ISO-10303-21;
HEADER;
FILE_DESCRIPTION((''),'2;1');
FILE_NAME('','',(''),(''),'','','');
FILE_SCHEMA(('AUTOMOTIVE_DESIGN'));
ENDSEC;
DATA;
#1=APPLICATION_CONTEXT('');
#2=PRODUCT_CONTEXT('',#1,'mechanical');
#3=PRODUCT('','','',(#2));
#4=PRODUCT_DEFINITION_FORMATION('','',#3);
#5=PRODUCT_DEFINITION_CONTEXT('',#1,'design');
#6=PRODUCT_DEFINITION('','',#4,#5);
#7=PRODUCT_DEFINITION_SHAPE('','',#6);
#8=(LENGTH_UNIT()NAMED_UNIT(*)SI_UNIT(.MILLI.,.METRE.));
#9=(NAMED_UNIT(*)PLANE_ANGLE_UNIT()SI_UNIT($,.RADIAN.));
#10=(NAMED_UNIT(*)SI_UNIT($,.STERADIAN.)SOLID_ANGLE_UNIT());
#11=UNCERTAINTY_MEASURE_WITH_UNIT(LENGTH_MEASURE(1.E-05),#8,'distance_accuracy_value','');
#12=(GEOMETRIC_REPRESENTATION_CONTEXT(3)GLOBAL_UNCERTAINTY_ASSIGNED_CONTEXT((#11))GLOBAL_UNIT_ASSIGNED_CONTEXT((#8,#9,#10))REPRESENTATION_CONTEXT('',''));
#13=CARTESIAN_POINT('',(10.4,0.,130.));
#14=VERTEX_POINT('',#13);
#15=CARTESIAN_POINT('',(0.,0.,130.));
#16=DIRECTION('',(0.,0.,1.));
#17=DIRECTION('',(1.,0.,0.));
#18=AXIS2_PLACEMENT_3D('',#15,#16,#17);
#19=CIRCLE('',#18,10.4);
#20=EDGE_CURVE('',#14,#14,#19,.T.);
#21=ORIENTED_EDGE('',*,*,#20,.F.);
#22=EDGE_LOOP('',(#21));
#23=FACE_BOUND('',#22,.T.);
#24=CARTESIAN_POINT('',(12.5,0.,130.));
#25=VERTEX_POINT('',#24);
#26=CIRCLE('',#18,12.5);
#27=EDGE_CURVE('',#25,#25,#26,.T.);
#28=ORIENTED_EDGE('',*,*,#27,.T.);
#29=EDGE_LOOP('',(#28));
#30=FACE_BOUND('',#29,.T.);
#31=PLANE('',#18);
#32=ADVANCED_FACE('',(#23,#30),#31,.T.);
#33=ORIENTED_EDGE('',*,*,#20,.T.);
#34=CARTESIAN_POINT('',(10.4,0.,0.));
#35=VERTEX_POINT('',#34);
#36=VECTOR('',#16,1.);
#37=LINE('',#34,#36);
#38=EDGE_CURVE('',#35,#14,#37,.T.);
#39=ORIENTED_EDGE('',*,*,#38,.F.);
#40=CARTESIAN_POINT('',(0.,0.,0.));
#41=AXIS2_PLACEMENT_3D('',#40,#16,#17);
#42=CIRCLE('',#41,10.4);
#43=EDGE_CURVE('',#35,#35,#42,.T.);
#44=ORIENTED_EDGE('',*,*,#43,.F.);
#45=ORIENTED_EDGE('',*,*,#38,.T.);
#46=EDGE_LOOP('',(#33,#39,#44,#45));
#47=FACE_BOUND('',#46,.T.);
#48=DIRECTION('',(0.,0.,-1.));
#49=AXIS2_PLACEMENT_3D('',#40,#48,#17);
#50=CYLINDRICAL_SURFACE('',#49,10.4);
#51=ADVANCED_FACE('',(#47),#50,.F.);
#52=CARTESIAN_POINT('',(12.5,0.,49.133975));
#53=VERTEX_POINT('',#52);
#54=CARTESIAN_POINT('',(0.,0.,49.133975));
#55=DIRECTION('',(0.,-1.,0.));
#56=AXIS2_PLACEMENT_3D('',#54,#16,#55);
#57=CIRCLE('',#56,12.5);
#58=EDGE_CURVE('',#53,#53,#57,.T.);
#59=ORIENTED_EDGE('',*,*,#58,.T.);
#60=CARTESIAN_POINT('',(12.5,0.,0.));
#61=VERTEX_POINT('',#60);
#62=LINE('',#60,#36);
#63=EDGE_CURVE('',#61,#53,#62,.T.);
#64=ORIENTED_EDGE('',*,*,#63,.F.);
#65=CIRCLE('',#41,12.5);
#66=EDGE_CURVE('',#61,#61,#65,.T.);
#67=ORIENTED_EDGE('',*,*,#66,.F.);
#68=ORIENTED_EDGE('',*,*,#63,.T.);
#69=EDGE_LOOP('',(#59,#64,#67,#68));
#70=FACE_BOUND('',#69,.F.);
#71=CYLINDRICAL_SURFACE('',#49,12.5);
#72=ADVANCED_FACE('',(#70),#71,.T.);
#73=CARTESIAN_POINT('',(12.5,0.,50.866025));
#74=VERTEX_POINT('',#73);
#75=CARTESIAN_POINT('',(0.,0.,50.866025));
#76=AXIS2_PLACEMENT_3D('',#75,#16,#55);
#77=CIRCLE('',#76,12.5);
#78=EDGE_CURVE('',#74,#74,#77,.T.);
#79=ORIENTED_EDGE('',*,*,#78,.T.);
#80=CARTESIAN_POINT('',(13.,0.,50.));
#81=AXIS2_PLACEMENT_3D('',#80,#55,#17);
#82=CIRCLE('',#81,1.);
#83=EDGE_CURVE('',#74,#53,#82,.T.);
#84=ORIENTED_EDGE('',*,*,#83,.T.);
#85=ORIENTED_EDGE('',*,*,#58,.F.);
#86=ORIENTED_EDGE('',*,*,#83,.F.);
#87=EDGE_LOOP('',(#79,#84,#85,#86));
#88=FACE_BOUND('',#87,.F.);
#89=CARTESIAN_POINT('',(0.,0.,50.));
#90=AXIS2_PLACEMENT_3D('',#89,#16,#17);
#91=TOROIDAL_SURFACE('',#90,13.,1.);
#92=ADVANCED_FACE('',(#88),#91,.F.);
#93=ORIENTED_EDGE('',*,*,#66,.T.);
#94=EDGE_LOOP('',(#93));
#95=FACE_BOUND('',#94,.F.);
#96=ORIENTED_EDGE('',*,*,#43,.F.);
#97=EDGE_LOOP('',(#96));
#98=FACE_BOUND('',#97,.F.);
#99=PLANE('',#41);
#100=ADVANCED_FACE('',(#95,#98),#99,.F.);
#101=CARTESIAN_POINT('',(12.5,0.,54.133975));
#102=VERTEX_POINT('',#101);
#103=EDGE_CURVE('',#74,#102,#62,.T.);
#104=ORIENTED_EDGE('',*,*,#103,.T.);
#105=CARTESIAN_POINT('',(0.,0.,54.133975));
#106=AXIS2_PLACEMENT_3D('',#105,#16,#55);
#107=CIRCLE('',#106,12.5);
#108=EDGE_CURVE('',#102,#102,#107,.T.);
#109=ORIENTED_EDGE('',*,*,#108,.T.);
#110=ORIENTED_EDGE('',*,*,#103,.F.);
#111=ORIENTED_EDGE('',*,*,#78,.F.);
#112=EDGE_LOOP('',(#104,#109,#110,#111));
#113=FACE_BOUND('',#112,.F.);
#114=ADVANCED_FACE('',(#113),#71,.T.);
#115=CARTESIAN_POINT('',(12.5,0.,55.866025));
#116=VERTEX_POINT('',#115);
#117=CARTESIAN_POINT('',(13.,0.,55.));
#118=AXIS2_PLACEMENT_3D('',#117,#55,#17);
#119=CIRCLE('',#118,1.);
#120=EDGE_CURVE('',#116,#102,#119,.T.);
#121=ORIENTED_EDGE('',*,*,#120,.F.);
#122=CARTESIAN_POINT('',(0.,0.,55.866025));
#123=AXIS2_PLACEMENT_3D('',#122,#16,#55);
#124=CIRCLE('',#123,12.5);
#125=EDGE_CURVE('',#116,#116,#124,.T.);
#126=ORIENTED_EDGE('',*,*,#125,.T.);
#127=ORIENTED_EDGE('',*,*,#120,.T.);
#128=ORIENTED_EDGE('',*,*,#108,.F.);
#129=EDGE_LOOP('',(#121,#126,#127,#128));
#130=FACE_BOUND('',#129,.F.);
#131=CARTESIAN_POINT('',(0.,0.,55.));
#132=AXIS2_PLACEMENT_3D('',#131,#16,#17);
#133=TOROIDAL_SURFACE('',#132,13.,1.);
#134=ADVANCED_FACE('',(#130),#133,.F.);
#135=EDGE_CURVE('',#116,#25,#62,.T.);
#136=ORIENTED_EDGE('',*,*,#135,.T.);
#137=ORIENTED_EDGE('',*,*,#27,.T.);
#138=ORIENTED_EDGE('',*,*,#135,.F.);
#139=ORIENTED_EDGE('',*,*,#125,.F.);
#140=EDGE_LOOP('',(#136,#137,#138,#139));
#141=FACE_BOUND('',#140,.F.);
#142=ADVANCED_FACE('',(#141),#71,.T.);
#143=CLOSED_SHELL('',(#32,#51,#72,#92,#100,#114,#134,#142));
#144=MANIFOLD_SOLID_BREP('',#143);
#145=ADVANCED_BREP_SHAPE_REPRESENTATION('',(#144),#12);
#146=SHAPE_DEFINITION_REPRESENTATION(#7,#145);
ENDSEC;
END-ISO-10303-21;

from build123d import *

# Parameters (mm, degrees)
TORUS_R           = 1
TORUS001_R        = 1
CYLINDER001_R     = 10.4
CYLINDER001_DEPTH = 130
CYLINDER_R        = 12.5
CYLINDER_DEPTH    = 130


with BuildPart() as torus:
    # Torus → Torus (revolve)
    with BuildSketch(Plane(origin=(0, 0, 55), x_dir=(1, 0, 0), z_dir=(0, -1, 0))):
        with Locations((13, 0)):
            Circle(TORUS_R)
    revolve(axis=Axis((0, 0, 55), (0, 0, 1)))


with BuildPart() as torus001:
    # Torus001 → Torus001 (revolve)
    with BuildSketch(Plane(origin=(0, 0, 50), x_dir=(1, 0, 0), z_dir=(0, -1, 0))):
        with Locations((13, 0)):
            Circle(TORUS001_R)
    revolve(axis=Axis((0, 0, 50), (0, 0, 1)))


with BuildPart() as cylinder001:
    # Cylinder001 → Cylinder001 (new body)
    with BuildSketch(Plane.XY):
        Circle(CYLINDER001_R)
    extrude(amount=CYLINDER001_DEPTH)


with BuildPart() as cut002:
    # Cylinder → Cylinder (new body)
    with BuildSketch(Plane.XY):
        Circle(CYLINDER_R)
    extrude(amount=CYLINDER_DEPTH)

    # Cut: cut Cylinder001
    add(cylinder001.part, mode=Mode.SUBTRACT)

    # Cut001: cut Torus001
    add(torus001.part, mode=Mode.SUBTRACT)

    # Cut002: cut Torus
    add(torus.part, mode=Mode.SUBTRACT)


solid = cut002.part
